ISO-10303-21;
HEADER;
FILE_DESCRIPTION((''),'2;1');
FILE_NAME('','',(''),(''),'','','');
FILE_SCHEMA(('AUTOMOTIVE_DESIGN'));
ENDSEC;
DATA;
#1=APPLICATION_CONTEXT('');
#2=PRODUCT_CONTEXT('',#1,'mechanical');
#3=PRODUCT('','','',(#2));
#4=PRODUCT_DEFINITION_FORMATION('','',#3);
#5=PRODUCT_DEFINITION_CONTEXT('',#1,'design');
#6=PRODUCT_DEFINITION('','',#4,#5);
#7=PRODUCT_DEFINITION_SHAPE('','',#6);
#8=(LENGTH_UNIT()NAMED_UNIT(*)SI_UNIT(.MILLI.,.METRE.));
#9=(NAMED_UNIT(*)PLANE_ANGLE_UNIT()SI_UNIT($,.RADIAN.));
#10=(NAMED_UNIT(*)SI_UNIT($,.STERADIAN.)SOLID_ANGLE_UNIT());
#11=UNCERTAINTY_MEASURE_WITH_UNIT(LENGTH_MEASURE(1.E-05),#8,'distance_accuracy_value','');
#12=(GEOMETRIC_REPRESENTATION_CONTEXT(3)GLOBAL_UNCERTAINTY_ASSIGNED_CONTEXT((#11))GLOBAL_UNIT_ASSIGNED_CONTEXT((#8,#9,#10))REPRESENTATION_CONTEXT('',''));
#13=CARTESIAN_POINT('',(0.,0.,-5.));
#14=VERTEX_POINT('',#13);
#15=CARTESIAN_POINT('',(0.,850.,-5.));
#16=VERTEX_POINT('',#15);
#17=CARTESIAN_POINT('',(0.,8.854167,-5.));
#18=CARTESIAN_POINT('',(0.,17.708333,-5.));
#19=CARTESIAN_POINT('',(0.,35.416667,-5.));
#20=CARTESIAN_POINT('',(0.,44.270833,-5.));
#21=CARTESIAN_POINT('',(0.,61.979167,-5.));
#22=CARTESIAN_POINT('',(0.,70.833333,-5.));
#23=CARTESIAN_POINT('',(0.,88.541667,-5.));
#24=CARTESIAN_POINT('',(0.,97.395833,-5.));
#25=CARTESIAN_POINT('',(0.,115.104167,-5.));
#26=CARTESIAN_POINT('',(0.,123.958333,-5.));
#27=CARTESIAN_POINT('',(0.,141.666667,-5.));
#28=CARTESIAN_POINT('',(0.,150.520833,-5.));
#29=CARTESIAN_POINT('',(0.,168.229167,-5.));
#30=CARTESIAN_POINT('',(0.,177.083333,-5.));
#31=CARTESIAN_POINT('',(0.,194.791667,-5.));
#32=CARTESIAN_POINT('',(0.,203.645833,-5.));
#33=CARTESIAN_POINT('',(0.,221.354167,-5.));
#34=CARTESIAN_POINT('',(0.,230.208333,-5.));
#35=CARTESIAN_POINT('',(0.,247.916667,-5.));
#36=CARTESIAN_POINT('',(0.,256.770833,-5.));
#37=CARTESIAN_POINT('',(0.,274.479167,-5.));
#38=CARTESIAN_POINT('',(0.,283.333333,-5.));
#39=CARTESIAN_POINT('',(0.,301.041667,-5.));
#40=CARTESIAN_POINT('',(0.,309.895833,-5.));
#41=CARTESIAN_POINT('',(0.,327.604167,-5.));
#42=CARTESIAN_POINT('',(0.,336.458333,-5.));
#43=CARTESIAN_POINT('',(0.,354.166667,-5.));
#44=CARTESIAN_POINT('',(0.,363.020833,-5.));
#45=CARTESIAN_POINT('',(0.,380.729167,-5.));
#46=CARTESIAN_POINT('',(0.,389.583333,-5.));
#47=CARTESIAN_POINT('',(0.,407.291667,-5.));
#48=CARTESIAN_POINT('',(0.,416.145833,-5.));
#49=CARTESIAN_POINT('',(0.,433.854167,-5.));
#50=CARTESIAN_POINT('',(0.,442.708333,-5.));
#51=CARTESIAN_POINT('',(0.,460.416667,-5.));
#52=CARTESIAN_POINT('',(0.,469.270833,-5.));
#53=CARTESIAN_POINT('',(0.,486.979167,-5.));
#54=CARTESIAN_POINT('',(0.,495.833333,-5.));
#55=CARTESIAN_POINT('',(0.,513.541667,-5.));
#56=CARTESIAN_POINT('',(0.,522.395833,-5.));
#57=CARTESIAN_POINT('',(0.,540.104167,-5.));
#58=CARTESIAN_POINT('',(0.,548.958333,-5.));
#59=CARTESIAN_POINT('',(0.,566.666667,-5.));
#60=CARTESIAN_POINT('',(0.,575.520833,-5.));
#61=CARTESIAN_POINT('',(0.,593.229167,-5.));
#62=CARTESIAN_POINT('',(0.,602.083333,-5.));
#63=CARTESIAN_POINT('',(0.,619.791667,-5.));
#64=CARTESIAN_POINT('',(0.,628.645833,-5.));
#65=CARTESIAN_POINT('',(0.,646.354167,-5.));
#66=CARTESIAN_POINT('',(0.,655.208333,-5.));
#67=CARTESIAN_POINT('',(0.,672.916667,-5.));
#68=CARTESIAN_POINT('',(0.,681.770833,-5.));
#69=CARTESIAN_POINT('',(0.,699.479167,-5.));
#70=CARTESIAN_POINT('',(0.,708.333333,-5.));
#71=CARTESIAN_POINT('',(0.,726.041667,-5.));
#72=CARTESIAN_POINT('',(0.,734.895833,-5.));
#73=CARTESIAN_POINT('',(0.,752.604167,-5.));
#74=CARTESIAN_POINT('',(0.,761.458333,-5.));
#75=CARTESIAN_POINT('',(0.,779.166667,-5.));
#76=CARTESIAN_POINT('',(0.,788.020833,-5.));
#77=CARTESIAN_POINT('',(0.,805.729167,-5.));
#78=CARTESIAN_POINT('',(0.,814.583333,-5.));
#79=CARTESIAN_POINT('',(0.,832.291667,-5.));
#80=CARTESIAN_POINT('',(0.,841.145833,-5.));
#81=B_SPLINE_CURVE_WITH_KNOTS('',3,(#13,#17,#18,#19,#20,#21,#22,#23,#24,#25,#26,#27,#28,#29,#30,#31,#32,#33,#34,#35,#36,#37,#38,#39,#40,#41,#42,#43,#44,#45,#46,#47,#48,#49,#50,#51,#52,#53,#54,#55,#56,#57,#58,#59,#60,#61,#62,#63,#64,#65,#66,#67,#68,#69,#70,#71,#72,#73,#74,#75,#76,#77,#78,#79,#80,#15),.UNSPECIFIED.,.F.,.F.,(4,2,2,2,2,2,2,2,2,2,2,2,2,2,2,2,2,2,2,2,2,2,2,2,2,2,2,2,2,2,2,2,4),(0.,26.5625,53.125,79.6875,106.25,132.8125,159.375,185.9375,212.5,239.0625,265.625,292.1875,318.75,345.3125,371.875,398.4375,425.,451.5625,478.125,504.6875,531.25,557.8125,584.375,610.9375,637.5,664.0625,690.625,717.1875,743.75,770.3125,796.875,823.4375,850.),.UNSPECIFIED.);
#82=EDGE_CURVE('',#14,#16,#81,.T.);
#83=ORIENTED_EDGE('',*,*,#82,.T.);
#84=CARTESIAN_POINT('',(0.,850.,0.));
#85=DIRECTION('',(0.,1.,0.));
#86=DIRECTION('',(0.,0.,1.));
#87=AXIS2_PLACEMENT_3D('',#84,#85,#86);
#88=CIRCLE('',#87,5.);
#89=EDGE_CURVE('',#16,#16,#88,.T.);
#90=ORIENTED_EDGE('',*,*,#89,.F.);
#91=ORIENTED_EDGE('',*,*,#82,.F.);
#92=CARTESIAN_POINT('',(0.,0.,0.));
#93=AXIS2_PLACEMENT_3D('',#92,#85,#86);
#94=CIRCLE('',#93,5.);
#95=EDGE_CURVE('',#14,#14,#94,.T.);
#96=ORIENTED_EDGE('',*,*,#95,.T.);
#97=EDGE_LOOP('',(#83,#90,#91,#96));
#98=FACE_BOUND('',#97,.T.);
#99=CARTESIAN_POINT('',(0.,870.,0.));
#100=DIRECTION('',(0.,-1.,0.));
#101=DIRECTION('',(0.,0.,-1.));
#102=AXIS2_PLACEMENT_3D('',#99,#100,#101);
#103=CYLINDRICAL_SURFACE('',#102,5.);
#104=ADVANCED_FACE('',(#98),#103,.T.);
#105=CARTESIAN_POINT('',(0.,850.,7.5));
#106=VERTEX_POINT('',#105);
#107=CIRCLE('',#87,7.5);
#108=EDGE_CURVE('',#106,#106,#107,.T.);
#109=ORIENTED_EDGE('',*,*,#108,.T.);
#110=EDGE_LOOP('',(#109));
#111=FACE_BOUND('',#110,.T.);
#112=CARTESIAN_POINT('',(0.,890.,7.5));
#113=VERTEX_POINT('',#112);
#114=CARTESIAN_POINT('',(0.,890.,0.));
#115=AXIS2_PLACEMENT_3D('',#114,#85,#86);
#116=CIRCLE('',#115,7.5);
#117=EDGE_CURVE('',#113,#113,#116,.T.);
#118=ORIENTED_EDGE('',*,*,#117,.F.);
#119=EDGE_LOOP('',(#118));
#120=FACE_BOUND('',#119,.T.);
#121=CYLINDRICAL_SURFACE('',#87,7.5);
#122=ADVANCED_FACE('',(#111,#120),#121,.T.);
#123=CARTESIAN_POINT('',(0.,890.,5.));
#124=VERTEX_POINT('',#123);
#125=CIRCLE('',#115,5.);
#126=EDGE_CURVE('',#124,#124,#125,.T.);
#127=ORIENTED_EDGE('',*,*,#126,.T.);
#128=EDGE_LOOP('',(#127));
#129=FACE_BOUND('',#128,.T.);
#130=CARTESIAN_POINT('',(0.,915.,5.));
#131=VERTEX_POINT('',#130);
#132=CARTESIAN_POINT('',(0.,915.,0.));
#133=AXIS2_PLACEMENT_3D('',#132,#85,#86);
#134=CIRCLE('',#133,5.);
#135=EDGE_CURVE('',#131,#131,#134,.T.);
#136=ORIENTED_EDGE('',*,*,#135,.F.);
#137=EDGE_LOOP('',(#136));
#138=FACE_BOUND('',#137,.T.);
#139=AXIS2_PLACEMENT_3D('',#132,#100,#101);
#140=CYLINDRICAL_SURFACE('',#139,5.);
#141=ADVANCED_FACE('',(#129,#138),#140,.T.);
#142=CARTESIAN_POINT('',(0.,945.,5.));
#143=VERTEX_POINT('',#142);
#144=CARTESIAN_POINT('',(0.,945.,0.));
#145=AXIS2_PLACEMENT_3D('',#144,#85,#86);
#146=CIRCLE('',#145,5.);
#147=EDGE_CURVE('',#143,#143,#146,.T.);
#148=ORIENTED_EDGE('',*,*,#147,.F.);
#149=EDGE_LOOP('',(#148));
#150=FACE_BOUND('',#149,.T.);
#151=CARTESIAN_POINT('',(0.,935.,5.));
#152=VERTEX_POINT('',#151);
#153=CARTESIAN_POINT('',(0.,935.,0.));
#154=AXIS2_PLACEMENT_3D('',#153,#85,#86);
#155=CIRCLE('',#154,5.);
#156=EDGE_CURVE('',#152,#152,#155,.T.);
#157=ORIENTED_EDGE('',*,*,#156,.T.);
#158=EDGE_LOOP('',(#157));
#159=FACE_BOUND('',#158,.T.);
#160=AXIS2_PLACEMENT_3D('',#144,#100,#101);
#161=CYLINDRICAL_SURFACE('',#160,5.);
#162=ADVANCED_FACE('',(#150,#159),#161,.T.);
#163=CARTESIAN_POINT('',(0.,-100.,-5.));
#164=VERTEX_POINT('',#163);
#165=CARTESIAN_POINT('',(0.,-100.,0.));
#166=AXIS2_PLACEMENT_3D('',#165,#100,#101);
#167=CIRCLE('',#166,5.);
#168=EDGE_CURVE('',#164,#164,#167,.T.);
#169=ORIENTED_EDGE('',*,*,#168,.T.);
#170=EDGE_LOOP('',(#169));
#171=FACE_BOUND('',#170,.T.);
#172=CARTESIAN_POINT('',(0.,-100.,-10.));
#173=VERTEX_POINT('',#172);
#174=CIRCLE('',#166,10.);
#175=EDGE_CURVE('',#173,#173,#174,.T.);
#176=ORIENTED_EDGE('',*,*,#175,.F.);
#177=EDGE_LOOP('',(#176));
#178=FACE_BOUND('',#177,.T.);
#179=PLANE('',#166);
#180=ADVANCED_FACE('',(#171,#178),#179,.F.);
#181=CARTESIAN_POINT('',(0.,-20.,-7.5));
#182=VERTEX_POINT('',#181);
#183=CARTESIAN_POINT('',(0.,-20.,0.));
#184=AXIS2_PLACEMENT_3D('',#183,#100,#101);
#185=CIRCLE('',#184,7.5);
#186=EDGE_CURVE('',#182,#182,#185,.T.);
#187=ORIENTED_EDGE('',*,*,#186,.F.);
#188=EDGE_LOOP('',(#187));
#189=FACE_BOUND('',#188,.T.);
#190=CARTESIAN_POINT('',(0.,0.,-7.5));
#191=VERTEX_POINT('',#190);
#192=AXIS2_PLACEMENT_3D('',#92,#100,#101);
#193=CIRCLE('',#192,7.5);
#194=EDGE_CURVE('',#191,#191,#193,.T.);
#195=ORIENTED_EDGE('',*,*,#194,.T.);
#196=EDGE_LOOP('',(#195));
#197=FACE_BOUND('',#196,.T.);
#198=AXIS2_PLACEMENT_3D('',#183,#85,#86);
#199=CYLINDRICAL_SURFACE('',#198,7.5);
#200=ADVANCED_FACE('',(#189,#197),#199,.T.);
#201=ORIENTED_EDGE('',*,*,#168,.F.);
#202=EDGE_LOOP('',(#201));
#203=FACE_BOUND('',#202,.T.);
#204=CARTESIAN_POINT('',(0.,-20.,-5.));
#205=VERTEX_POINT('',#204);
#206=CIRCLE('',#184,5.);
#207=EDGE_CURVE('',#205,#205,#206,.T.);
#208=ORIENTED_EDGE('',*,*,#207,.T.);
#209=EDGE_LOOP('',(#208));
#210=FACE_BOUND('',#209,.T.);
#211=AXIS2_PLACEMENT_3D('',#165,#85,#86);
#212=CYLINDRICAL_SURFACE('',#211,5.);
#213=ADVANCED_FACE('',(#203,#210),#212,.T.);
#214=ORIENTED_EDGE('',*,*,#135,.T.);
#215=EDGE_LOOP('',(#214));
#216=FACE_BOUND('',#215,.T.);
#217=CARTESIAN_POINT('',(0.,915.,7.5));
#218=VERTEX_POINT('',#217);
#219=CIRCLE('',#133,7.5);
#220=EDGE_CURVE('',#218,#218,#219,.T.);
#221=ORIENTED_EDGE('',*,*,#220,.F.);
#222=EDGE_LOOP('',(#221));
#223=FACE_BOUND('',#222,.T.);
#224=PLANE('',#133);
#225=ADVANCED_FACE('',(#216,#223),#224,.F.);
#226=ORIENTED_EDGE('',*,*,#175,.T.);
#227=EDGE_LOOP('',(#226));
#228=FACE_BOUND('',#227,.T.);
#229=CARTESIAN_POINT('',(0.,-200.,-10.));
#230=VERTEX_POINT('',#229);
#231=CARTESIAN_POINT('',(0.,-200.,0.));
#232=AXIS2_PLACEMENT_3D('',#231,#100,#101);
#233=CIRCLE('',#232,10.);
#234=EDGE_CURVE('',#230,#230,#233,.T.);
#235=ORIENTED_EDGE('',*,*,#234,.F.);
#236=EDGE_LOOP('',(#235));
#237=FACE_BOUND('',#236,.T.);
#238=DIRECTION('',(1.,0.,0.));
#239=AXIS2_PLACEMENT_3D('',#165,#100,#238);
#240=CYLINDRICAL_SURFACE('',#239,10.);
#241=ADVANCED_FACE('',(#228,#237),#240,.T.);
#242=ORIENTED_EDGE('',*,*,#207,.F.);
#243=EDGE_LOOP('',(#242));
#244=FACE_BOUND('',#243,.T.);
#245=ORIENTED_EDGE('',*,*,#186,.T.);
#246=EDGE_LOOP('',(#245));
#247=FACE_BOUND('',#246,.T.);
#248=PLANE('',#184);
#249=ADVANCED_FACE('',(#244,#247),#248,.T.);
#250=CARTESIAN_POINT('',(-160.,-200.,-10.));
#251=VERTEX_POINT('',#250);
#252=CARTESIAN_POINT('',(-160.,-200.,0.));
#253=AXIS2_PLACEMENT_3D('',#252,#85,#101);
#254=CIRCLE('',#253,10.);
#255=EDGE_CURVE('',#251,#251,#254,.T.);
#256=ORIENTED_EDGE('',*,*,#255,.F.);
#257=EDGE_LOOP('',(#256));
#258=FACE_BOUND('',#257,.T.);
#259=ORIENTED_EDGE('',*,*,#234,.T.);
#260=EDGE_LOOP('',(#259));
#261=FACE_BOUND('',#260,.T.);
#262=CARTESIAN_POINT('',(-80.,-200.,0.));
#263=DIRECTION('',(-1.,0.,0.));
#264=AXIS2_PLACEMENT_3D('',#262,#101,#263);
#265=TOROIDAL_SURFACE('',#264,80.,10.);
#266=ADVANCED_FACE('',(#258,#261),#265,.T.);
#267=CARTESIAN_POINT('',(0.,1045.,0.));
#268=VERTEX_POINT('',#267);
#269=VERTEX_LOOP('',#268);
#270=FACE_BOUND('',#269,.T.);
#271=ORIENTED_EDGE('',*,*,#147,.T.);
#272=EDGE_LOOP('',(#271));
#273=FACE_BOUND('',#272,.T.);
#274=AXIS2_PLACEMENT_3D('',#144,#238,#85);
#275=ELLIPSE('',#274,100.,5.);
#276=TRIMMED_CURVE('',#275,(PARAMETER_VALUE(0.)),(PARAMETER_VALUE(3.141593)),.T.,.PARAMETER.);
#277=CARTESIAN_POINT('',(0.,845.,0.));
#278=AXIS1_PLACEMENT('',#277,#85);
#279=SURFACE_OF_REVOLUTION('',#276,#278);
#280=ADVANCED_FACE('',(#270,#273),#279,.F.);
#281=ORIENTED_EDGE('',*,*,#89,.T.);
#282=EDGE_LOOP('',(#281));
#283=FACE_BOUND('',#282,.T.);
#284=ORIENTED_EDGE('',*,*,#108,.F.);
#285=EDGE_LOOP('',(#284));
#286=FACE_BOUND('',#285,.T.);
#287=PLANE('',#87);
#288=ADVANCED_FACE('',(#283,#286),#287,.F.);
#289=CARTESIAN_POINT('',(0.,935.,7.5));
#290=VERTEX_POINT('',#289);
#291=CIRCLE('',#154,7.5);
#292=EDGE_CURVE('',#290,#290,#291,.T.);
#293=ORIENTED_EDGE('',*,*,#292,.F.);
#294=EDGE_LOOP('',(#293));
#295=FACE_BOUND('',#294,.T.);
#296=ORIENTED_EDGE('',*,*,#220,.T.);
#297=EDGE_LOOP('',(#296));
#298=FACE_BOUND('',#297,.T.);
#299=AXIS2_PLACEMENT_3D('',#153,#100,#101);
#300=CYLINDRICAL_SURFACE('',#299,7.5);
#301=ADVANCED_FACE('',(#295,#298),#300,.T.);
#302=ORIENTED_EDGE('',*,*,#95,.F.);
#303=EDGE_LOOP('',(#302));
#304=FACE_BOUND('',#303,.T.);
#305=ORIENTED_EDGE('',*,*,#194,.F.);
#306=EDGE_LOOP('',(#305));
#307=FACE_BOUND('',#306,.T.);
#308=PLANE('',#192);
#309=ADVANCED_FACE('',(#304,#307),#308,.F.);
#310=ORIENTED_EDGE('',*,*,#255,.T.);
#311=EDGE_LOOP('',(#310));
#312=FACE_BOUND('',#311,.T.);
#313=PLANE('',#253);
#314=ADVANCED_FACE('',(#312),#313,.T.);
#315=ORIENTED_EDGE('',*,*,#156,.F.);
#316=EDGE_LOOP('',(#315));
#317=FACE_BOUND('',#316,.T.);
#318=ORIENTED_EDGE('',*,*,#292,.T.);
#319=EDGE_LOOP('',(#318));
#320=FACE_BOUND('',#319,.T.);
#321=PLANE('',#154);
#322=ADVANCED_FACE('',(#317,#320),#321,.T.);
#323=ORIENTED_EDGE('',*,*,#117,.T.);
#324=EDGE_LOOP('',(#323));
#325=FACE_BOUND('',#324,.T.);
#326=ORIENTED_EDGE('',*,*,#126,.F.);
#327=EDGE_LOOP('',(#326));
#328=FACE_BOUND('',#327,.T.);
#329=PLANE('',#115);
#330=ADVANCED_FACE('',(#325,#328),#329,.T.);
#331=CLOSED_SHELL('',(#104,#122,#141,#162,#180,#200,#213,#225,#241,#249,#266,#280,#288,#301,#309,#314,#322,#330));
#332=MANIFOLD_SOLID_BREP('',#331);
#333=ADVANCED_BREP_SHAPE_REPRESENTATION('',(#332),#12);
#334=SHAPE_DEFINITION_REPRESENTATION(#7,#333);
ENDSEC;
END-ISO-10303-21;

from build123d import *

# Parameters (mm, degrees)
CROQUIS3_R                   = 5
SALIENTE_EXTRUIR1_DEPTH      = 870
CROQUIS5_R                   = 7.5
SALIENTE_EXTRUIR2_DEPTH      = 20
SALIENTE_EXTRUIR3_START      = 80
CROQUIS6_R                   = 5
SALIENTE_EXTRUIR3_DEPTH      = 80
CROQUIS8_R                   = 10
SALIENTE_EXTRUIR4_DEPTH      = 20
SALIENTE_EXTRUIR4_DEPTH_BACK = 20
CROQUIS9_R                   = 7.5
CROQUIS10_R                  = 5
SALIENTE_EXTRUIR5_DEPTH      = 25
SALIENTE_EXTRUIR6_START      = 20
CROQUIS11_R                  = 7.5
SALIENTE_EXTRUIR6_DEPTH      = 20
CROQUIS12_R                  = 5
SALIENTE_EXTRUIR7_DEPTH      = 10
C_PULA2_FACE_RADIUS          = 5
C_PULA2_HEIGHT               = 100


with BuildPart() as part:
    # Croquis3 → Saliente-Extruir1 (new body)
    with BuildSketch(Plane(origin=(0, 0, 0), x_dir=(1, 0, 0), z_dir=(0, 1, 0))):
        Circle(CROQUIS3_R)
    extrude(amount=SALIENTE_EXTRUIR1_DEPTH)

    # Croquis5 → Saliente-Extruir2 (add)
    with BuildSketch(Plane.XZ):
        Circle(CROQUIS5_R)
    extrude(amount=SALIENTE_EXTRUIR2_DEPTH)

    # Croquis6 → Saliente-Extruir3 (add)
    with BuildSketch(Plane.XZ.offset(20).offset(SALIENTE_EXTRUIR3_START)):
        Circle(CROQUIS6_R)
    extrude(amount=-SALIENTE_EXTRUIR3_DEPTH)

    # Barrer1: sweep along a path in Croquis7
    with BuildLine(Plane.XY) as barrer1_path:
        Line((0, -100), (0, -200))
        ThreePointArc((0, -200), (-80, -280), (-160, -200))
    # Croquis8 → Barrer1 (sweep)
    with BuildSketch(Plane.XZ.offset(100)):
        Circle(CROQUIS8_R)
    sweep(path=barrer1_path.line)

    # Croquis9 → Saliente-Extruir4 (add, two sides: drawn at the far end of the back side and taken through both)
    with BuildSketch(Plane(origin=(0, 870, 0), x_dir=(1, 0, 0), z_dir=(0, 1, 0)).offset(-SALIENTE_EXTRUIR4_DEPTH_BACK)):
        Circle(CROQUIS9_R)
    extrude(amount=SALIENTE_EXTRUIR4_DEPTH + SALIENTE_EXTRUIR4_DEPTH_BACK)

    # Croquis10 → Saliente-Extruir5 (add)
    with BuildSketch(Plane(origin=(0, 890, 0), x_dir=(1, 0, 0), z_dir=(0, 1, 0))):
        Circle(CROQUIS10_R)
    extrude(amount=SALIENTE_EXTRUIR5_DEPTH)

    # Croquis11 → Saliente-Extruir6 (add)
    with BuildSketch(Plane(origin=(0, 915, 0), x_dir=(1, 0, 0), z_dir=(0, 1, 0)).offset(SALIENTE_EXTRUIR6_START)):
        Circle(CROQUIS11_R)
    extrude(amount=-SALIENTE_EXTRUIR6_DEPTH)

    # Croquis12 → Saliente-Extruir7 (add)
    with BuildSketch(Plane(origin=(0, 935, 0), x_dir=(1, 0, 0), z_dir=(0, 1, 0))):
        Circle(CROQUIS12_R)
    extrude(amount=SALIENTE_EXTRUIR7_DEPTH)

    # Cúpula2: an elliptical dome of height H over a round flat face of radius A is half a spheroid: the quarter ellipse of half axes A and H revolved about the face's axis
    with BuildSketch(Plane((0, 945, 0), x_dir=(0, 0, -1), z_dir=(1, 0, 0)), mode=Mode.PRIVATE) as c_pula2_quarter:
        Ellipse(C_PULA2_FACE_RADIUS, C_PULA2_HEIGHT)
        Rectangle(C_PULA2_FACE_RADIUS, C_PULA2_HEIGHT, align=(Align.MIN, Align.MIN), mode=Mode.INTERSECT)
    revolve(c_pula2_quarter.sketch, axis=Axis((0, 945, 0), (0, 1, 0)))


solid = part.part
